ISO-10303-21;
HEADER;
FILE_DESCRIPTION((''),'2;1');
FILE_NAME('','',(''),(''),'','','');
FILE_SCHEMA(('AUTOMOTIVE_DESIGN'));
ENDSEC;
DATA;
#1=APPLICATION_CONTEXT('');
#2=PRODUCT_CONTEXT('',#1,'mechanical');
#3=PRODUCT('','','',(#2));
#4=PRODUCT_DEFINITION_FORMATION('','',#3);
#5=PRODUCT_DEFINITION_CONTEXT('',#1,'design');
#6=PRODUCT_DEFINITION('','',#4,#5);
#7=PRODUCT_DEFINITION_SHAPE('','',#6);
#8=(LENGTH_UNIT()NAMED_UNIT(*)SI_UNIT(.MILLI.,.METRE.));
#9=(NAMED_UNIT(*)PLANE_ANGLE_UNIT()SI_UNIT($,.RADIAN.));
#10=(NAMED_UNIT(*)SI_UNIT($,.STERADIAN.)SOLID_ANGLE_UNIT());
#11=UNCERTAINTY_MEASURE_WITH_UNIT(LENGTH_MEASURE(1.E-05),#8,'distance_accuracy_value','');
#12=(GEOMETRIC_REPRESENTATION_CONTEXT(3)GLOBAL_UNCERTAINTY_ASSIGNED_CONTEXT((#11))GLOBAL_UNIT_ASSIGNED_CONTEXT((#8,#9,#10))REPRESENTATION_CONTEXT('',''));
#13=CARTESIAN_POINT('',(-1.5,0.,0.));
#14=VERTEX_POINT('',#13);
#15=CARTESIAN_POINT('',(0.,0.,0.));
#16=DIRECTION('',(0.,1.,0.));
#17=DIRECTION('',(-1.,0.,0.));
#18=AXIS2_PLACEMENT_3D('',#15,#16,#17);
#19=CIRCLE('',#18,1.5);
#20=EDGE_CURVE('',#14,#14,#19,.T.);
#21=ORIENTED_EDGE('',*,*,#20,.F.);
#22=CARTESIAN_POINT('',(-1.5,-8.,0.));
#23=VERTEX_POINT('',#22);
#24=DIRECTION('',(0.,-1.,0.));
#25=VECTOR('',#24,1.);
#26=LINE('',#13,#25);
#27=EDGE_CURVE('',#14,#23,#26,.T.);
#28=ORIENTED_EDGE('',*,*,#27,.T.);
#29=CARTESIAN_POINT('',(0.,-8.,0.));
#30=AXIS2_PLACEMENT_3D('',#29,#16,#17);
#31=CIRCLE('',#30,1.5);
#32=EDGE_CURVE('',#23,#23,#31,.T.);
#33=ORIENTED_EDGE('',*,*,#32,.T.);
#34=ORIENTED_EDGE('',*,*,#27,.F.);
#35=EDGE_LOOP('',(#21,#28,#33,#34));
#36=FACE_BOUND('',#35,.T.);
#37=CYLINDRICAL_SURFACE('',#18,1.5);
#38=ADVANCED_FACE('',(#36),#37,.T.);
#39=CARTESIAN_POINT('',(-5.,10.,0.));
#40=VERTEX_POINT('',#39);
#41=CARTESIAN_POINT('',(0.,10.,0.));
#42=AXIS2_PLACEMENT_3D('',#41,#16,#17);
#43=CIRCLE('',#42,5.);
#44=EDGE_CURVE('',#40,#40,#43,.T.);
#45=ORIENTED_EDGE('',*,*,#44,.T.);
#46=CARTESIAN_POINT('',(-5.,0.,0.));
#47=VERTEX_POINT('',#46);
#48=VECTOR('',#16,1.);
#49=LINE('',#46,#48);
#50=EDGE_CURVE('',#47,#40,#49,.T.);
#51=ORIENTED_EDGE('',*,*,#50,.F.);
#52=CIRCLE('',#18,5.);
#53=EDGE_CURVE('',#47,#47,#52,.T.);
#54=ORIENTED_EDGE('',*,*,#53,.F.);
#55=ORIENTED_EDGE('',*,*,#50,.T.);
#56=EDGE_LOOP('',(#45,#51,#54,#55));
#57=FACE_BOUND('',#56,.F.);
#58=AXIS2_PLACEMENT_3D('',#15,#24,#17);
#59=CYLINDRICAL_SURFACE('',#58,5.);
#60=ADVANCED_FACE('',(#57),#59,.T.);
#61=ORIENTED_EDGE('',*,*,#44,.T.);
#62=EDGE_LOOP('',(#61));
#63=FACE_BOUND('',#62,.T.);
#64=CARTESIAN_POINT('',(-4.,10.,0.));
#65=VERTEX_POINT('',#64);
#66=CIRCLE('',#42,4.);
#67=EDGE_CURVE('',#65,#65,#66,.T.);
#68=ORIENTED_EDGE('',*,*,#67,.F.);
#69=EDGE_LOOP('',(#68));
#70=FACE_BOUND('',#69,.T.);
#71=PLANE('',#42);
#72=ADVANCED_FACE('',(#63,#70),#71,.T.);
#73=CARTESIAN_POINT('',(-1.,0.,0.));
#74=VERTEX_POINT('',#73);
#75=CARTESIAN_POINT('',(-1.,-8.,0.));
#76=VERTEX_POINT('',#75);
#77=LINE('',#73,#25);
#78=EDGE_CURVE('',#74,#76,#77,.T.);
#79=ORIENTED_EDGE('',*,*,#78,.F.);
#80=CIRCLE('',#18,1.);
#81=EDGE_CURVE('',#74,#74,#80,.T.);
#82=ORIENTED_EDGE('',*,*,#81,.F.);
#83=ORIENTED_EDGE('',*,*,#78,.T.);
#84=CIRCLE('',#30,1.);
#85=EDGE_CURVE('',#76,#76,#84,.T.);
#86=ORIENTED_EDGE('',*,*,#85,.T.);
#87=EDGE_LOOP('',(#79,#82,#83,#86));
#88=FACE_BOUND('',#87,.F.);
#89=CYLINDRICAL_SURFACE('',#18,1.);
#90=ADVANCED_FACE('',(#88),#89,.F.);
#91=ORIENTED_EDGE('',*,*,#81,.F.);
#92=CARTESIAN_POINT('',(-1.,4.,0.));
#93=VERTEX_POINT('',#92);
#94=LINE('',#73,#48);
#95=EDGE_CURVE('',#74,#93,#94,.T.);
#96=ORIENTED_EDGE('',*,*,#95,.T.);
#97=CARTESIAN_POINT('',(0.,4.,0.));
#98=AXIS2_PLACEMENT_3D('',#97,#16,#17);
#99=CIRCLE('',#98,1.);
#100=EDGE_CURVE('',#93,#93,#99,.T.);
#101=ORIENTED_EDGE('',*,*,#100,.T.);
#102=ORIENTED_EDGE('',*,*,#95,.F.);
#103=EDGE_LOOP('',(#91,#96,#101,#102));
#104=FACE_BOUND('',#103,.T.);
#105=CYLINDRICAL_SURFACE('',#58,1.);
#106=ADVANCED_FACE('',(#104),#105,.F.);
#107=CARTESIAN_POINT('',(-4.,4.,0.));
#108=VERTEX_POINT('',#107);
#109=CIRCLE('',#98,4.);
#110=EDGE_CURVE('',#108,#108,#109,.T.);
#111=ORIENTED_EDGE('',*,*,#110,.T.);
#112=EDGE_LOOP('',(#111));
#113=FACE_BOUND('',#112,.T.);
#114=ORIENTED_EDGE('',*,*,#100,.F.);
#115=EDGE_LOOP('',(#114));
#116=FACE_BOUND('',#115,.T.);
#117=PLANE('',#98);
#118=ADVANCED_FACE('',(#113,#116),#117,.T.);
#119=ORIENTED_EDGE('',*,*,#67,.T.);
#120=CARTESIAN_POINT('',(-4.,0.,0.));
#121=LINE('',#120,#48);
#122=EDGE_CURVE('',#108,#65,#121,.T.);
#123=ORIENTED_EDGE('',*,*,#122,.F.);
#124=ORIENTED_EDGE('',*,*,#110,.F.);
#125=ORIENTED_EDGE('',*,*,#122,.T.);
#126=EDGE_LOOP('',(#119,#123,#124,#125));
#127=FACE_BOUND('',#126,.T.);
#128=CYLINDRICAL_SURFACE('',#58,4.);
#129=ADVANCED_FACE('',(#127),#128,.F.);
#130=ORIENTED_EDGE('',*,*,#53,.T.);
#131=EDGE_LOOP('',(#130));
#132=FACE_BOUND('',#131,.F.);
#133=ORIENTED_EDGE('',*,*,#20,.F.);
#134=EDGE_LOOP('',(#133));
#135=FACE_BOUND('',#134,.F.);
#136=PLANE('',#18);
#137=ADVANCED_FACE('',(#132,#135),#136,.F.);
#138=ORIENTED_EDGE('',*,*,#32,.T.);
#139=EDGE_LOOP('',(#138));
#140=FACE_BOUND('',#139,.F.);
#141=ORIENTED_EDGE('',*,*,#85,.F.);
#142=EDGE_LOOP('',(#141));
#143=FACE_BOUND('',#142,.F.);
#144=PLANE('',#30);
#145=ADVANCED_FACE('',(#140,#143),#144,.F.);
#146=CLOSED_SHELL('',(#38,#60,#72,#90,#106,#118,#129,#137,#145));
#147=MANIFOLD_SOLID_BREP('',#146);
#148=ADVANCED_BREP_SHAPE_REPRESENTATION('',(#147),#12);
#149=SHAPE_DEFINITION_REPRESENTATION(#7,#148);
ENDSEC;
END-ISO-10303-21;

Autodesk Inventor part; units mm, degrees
ref_plane "YZ Plane" through (0, 0, 0) normal (1, 0, 0) x (0, 1, 0)
ref_plane "XZ Plane" through (0, 0, 0) normal (0, 1, 0) x (-1, 0, 0)
ref_plane "XY Plane" through (0, 0, 0) normal (0, 0, 1) x (1, 0, 0)
sketch "Sketch1" plane through (0, 0, 0) normal (0, 1, 0) x (-1, 0, 0)
  circle A0 centre (0, 0) radius 4
  circle A1 centre (0, 0) radius 5
  circle A2 centre (0, 0) radius 1
  circle A3 centre (0, 0) radius 1.5
  dimension "d0" = 8
  dimension "d1" = 10
  dimension "d2" = 2
  dimension "d3" = 3
extrude "Extrusion1" add sketch "Sketch1" along normal blind 10 contours A1
extrude "Extrusion2" add sketch "Sketch1" along normal blind 4 contours A0 | A3
extrude "Extrusion3" add sketch "Sketch1" against normal blind 8 contours A3
thread "Thread1" size "M8x1.25" class "6H" standard "ANSI Metric M Profile" length 10
